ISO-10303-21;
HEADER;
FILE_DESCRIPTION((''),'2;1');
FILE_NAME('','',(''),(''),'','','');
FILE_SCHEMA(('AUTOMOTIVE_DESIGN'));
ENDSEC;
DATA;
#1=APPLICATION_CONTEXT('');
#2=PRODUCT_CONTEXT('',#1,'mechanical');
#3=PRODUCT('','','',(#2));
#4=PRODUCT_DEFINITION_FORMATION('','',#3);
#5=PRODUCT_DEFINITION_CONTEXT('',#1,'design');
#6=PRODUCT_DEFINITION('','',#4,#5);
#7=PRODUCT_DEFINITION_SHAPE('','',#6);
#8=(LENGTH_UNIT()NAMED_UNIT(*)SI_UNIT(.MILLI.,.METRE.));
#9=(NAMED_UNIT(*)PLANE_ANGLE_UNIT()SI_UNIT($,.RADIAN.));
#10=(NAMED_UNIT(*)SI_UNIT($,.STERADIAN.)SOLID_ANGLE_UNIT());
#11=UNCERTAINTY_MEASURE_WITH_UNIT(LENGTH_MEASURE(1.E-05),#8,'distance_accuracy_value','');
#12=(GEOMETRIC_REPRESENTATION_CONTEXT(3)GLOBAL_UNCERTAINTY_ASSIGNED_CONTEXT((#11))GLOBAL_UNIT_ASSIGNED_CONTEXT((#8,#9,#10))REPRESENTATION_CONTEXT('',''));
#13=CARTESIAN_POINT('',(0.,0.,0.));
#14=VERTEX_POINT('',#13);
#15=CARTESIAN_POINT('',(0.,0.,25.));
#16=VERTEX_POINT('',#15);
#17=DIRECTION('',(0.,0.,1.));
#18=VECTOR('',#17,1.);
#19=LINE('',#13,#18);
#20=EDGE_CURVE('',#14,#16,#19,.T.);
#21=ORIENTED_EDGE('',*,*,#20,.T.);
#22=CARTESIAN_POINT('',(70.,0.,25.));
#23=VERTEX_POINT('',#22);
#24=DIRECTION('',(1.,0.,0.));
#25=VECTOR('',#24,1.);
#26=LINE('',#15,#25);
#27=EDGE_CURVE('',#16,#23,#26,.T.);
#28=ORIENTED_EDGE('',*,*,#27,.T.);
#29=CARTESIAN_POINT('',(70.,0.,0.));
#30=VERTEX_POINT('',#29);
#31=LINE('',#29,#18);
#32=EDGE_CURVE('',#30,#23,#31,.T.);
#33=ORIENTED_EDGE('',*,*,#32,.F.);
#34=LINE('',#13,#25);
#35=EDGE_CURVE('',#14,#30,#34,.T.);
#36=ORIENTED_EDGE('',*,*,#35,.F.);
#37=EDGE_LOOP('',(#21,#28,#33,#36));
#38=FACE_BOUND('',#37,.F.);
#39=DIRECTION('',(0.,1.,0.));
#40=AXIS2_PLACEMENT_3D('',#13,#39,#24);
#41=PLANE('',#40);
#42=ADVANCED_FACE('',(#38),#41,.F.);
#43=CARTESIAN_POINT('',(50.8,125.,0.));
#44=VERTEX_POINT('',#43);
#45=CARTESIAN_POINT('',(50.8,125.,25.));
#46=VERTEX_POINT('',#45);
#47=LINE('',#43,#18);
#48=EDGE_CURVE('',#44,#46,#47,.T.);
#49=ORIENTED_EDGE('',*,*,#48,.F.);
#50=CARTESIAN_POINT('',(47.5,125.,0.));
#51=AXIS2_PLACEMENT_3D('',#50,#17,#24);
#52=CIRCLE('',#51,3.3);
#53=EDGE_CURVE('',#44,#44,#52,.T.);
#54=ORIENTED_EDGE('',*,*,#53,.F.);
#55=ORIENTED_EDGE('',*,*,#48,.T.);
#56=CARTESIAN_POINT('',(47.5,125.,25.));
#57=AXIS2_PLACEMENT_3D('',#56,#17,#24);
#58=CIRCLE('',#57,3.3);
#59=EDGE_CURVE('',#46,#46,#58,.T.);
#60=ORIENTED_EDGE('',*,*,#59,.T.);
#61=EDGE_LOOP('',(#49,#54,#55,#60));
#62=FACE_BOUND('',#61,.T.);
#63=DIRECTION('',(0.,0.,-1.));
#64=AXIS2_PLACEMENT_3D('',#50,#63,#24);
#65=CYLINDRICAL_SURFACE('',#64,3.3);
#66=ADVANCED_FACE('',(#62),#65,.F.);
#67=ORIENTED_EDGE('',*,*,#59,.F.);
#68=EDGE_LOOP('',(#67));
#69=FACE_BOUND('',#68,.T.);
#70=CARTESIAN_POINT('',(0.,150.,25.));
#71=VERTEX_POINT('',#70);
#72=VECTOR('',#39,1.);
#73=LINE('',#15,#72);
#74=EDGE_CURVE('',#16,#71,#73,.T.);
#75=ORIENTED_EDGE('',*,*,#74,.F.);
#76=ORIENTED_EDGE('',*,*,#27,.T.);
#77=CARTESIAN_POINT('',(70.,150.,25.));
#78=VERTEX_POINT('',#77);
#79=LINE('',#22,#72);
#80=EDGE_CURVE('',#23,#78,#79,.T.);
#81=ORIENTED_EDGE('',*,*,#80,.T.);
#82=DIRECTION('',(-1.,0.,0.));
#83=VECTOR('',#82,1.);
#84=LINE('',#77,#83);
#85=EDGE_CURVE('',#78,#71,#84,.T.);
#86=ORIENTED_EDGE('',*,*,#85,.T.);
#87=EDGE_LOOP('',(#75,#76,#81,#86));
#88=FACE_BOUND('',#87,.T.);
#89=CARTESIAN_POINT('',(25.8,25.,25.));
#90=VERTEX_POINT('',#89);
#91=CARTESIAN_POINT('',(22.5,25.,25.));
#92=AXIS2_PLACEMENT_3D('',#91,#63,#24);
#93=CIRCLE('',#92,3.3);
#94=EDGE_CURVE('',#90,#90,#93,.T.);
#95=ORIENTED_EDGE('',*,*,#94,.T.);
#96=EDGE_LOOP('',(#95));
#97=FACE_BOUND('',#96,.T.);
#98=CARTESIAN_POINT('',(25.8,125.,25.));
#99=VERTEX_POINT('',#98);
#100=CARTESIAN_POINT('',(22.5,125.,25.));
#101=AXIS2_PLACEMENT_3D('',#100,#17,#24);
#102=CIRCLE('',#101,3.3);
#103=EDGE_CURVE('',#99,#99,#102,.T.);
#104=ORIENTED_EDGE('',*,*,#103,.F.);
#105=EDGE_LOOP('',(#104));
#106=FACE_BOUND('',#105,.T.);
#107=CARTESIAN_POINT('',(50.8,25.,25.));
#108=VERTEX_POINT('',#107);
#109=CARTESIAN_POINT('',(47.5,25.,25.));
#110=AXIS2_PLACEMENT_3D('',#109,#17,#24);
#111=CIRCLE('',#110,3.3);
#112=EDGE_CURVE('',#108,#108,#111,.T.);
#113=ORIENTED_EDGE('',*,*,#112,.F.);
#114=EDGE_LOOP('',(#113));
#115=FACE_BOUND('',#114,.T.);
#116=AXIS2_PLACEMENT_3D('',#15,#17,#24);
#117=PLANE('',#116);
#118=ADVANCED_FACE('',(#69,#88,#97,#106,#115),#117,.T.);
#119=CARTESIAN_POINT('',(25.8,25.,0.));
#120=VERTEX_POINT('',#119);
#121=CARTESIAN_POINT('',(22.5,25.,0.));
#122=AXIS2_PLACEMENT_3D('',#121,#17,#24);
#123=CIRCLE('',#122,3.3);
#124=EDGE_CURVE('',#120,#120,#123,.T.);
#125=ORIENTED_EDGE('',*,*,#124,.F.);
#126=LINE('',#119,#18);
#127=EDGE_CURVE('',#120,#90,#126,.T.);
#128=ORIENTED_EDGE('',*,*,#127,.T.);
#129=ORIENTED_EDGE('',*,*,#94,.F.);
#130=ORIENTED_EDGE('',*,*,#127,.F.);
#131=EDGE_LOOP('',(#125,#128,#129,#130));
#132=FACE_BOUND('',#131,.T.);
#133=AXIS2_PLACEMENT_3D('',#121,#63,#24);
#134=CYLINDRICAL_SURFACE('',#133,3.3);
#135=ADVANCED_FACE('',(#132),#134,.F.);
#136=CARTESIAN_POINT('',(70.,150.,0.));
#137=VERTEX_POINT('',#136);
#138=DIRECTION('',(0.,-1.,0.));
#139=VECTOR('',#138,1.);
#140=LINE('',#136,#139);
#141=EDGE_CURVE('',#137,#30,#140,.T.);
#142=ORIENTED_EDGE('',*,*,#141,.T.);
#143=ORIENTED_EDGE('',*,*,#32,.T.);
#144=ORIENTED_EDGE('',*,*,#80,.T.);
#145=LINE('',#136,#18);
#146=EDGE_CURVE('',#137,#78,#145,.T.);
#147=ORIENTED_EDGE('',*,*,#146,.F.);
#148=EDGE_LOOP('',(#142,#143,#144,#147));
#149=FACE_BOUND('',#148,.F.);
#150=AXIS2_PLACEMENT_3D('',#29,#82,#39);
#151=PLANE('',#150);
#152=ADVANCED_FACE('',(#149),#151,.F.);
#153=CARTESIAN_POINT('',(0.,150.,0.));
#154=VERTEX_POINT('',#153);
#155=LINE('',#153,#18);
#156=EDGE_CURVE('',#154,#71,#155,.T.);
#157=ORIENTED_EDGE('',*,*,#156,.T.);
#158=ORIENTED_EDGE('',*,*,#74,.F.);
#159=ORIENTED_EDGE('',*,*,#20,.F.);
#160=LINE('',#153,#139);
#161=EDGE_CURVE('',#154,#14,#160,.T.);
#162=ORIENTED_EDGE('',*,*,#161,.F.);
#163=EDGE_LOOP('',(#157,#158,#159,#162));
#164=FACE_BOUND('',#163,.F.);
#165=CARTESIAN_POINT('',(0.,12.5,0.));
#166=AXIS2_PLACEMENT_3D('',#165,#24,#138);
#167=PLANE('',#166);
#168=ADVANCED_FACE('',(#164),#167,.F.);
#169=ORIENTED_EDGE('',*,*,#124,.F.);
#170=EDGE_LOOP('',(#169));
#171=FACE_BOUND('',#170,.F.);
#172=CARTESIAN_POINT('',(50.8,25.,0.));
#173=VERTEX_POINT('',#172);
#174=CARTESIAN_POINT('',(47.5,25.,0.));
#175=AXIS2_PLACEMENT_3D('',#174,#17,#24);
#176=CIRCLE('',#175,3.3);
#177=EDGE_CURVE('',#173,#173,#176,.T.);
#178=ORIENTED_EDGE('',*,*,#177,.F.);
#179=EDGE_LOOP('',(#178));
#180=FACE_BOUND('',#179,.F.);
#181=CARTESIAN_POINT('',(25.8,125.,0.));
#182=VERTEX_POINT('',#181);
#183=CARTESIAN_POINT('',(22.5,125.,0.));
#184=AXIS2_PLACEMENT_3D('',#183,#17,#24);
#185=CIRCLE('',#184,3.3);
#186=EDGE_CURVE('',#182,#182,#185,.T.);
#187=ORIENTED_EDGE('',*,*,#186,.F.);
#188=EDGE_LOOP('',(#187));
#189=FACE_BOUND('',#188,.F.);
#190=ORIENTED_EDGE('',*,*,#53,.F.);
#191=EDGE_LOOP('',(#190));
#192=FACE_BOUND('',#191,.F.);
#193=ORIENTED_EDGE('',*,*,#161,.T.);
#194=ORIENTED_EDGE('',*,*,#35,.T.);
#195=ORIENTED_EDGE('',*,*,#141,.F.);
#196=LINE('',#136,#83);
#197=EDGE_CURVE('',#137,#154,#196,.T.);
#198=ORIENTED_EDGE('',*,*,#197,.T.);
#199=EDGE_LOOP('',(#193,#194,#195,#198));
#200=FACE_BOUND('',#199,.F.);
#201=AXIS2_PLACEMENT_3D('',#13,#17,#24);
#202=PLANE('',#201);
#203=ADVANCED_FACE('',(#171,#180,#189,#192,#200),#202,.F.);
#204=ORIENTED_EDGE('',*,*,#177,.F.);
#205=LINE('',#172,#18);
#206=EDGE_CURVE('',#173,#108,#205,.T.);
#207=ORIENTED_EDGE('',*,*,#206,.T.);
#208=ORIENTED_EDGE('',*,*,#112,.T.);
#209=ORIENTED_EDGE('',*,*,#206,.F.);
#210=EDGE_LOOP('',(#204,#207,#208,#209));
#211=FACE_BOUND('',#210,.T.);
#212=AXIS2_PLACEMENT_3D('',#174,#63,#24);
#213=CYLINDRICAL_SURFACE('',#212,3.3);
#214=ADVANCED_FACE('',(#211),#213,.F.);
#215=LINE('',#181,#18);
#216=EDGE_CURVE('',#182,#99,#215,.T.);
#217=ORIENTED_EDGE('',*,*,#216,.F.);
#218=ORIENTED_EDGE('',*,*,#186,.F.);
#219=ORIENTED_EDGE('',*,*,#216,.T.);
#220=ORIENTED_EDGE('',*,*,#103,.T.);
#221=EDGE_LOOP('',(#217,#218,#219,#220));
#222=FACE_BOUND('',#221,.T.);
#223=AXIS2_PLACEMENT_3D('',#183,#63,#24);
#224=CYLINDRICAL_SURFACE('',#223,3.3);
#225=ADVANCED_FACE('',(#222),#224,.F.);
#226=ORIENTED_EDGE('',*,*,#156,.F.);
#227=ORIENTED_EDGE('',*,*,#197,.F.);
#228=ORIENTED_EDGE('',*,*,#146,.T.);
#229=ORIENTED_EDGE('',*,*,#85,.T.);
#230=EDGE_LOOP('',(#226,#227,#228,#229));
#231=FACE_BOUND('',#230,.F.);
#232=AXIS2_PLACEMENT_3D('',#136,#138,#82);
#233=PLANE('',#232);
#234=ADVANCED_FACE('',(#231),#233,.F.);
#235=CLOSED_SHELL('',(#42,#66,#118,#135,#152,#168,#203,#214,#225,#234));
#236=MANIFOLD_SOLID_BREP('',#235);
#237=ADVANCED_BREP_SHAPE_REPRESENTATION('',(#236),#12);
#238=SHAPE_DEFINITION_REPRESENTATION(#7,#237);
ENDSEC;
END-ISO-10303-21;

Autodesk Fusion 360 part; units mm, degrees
sketch "Sketch1" plane through (0, 0, 0) normal (0, 0, 1) x (1, 0, 0)
  line L0 (0, 0) -> (70, 0)
  line L1 (70, 0) -> (70, 150)
  line L2 (70, 150) -> (0, 150)
  line L3 (0, 150) -> (0, 0)
  circle A0 centre (22.5, 25) radius 3.3
  circle A1 centre (47.5, 25) radius 3.3
  circle A2 centre (22.5, 125) radius 3.3
  circle A3 centre (47.5, 125) radius 3.3
  line L4 (22.5, 25) -> (0, 25)
  line L5 (0, 25) -> (31, 25)
  line L6 (31, 25) -> (31, 37.5)
  line L7 (31, 37.5) -> (0, 37.5)
  line L8 (0, 37.5) -> (0, 25)
  line L9 (0, 25) -> (31, 25)
  line L10 (31, 25) -> (31, 12.5)
  line L11 (31, 12.5) -> (0, 12.5)
  line L12 (0, 12.5) -> (0, 25)
  line L13 (70, 37.5) -> (39, 37.5)
  line L14 (39, 37.5) -> (39, 12.5)
  line L15 (39, 12.5) -> (70, 12.5)
  line L16 (70, 12.5) -> (70, 37.5)
  line L17 (70, 137.5) -> (39, 137.5)
  line L18 (39, 137.5) -> (39, 112.5)
  line L19 (39, 112.5) -> (70, 112.5)
  line L20 (70, 112.5) -> (70, 137.5)
  line L21 (0, 137.5) -> (31, 137.5)
  line L22 (31, 137.5) -> (31, 112.5)
  line L23 (31, 112.5) -> (0, 112.5)
  line L24 (0, 112.5) -> (0, 137.5)
  point P0 (22.5, 25)
  point P1 (47.5, 25)
  point P2 (47.5, 125)
  point P3 (22.5, 125)
  dimension "d1" = 70
  dimension "d2" = 150
  dimension "d3" = 25
  dimension "d4" = 22.5
  dimension "d5" = 25
  dimension "d6" = 22.5
  dimension "d7" = 25
  dimension "d8" = 47.5
  dimension "d9" = 25
  dimension "d10" = 22.5
  dimension "d11" = 22.5
  dimension "d12" = 25
  dimension "d13" = 25
  dimension "d14" = 6.6
  dimension "d15" = 6.6
  dimension "d16" = 6.6
  dimension "d17" = 6.6
  dimension "d18" = 31
  dimension "d19" = 12.5
  dimension "d20" = 12.5
  dimension "d21" = 31
  dimension "d22" = 25
  dimension "d23" = 12.5
  dimension "d24" = 31
  dimension "d25" = 25
  dimension "d26" = 31
  dimension "d27" = 25
  dimension "d28" = 12.5
  dimension "d29" = 12.5
extrude "Extrude1" add sketch "Sketch1" along normal blind 25 contours L0 L1 L2 L3 L6 L7 L10 L11 L13 L14 L15 L17 L18 L19 L21 L22 L23 | L3 A0 L4 L5 L9 L10 L11 L12 | L1 L13 L14 L15 L16 | L3 A0 L4 L5 L6 L7 L8 L9 | L1 L17 L18 L19 L20 | L3 L21 L22 L23 L24
equation "d14 = 6 mm + 0.6 mm"
